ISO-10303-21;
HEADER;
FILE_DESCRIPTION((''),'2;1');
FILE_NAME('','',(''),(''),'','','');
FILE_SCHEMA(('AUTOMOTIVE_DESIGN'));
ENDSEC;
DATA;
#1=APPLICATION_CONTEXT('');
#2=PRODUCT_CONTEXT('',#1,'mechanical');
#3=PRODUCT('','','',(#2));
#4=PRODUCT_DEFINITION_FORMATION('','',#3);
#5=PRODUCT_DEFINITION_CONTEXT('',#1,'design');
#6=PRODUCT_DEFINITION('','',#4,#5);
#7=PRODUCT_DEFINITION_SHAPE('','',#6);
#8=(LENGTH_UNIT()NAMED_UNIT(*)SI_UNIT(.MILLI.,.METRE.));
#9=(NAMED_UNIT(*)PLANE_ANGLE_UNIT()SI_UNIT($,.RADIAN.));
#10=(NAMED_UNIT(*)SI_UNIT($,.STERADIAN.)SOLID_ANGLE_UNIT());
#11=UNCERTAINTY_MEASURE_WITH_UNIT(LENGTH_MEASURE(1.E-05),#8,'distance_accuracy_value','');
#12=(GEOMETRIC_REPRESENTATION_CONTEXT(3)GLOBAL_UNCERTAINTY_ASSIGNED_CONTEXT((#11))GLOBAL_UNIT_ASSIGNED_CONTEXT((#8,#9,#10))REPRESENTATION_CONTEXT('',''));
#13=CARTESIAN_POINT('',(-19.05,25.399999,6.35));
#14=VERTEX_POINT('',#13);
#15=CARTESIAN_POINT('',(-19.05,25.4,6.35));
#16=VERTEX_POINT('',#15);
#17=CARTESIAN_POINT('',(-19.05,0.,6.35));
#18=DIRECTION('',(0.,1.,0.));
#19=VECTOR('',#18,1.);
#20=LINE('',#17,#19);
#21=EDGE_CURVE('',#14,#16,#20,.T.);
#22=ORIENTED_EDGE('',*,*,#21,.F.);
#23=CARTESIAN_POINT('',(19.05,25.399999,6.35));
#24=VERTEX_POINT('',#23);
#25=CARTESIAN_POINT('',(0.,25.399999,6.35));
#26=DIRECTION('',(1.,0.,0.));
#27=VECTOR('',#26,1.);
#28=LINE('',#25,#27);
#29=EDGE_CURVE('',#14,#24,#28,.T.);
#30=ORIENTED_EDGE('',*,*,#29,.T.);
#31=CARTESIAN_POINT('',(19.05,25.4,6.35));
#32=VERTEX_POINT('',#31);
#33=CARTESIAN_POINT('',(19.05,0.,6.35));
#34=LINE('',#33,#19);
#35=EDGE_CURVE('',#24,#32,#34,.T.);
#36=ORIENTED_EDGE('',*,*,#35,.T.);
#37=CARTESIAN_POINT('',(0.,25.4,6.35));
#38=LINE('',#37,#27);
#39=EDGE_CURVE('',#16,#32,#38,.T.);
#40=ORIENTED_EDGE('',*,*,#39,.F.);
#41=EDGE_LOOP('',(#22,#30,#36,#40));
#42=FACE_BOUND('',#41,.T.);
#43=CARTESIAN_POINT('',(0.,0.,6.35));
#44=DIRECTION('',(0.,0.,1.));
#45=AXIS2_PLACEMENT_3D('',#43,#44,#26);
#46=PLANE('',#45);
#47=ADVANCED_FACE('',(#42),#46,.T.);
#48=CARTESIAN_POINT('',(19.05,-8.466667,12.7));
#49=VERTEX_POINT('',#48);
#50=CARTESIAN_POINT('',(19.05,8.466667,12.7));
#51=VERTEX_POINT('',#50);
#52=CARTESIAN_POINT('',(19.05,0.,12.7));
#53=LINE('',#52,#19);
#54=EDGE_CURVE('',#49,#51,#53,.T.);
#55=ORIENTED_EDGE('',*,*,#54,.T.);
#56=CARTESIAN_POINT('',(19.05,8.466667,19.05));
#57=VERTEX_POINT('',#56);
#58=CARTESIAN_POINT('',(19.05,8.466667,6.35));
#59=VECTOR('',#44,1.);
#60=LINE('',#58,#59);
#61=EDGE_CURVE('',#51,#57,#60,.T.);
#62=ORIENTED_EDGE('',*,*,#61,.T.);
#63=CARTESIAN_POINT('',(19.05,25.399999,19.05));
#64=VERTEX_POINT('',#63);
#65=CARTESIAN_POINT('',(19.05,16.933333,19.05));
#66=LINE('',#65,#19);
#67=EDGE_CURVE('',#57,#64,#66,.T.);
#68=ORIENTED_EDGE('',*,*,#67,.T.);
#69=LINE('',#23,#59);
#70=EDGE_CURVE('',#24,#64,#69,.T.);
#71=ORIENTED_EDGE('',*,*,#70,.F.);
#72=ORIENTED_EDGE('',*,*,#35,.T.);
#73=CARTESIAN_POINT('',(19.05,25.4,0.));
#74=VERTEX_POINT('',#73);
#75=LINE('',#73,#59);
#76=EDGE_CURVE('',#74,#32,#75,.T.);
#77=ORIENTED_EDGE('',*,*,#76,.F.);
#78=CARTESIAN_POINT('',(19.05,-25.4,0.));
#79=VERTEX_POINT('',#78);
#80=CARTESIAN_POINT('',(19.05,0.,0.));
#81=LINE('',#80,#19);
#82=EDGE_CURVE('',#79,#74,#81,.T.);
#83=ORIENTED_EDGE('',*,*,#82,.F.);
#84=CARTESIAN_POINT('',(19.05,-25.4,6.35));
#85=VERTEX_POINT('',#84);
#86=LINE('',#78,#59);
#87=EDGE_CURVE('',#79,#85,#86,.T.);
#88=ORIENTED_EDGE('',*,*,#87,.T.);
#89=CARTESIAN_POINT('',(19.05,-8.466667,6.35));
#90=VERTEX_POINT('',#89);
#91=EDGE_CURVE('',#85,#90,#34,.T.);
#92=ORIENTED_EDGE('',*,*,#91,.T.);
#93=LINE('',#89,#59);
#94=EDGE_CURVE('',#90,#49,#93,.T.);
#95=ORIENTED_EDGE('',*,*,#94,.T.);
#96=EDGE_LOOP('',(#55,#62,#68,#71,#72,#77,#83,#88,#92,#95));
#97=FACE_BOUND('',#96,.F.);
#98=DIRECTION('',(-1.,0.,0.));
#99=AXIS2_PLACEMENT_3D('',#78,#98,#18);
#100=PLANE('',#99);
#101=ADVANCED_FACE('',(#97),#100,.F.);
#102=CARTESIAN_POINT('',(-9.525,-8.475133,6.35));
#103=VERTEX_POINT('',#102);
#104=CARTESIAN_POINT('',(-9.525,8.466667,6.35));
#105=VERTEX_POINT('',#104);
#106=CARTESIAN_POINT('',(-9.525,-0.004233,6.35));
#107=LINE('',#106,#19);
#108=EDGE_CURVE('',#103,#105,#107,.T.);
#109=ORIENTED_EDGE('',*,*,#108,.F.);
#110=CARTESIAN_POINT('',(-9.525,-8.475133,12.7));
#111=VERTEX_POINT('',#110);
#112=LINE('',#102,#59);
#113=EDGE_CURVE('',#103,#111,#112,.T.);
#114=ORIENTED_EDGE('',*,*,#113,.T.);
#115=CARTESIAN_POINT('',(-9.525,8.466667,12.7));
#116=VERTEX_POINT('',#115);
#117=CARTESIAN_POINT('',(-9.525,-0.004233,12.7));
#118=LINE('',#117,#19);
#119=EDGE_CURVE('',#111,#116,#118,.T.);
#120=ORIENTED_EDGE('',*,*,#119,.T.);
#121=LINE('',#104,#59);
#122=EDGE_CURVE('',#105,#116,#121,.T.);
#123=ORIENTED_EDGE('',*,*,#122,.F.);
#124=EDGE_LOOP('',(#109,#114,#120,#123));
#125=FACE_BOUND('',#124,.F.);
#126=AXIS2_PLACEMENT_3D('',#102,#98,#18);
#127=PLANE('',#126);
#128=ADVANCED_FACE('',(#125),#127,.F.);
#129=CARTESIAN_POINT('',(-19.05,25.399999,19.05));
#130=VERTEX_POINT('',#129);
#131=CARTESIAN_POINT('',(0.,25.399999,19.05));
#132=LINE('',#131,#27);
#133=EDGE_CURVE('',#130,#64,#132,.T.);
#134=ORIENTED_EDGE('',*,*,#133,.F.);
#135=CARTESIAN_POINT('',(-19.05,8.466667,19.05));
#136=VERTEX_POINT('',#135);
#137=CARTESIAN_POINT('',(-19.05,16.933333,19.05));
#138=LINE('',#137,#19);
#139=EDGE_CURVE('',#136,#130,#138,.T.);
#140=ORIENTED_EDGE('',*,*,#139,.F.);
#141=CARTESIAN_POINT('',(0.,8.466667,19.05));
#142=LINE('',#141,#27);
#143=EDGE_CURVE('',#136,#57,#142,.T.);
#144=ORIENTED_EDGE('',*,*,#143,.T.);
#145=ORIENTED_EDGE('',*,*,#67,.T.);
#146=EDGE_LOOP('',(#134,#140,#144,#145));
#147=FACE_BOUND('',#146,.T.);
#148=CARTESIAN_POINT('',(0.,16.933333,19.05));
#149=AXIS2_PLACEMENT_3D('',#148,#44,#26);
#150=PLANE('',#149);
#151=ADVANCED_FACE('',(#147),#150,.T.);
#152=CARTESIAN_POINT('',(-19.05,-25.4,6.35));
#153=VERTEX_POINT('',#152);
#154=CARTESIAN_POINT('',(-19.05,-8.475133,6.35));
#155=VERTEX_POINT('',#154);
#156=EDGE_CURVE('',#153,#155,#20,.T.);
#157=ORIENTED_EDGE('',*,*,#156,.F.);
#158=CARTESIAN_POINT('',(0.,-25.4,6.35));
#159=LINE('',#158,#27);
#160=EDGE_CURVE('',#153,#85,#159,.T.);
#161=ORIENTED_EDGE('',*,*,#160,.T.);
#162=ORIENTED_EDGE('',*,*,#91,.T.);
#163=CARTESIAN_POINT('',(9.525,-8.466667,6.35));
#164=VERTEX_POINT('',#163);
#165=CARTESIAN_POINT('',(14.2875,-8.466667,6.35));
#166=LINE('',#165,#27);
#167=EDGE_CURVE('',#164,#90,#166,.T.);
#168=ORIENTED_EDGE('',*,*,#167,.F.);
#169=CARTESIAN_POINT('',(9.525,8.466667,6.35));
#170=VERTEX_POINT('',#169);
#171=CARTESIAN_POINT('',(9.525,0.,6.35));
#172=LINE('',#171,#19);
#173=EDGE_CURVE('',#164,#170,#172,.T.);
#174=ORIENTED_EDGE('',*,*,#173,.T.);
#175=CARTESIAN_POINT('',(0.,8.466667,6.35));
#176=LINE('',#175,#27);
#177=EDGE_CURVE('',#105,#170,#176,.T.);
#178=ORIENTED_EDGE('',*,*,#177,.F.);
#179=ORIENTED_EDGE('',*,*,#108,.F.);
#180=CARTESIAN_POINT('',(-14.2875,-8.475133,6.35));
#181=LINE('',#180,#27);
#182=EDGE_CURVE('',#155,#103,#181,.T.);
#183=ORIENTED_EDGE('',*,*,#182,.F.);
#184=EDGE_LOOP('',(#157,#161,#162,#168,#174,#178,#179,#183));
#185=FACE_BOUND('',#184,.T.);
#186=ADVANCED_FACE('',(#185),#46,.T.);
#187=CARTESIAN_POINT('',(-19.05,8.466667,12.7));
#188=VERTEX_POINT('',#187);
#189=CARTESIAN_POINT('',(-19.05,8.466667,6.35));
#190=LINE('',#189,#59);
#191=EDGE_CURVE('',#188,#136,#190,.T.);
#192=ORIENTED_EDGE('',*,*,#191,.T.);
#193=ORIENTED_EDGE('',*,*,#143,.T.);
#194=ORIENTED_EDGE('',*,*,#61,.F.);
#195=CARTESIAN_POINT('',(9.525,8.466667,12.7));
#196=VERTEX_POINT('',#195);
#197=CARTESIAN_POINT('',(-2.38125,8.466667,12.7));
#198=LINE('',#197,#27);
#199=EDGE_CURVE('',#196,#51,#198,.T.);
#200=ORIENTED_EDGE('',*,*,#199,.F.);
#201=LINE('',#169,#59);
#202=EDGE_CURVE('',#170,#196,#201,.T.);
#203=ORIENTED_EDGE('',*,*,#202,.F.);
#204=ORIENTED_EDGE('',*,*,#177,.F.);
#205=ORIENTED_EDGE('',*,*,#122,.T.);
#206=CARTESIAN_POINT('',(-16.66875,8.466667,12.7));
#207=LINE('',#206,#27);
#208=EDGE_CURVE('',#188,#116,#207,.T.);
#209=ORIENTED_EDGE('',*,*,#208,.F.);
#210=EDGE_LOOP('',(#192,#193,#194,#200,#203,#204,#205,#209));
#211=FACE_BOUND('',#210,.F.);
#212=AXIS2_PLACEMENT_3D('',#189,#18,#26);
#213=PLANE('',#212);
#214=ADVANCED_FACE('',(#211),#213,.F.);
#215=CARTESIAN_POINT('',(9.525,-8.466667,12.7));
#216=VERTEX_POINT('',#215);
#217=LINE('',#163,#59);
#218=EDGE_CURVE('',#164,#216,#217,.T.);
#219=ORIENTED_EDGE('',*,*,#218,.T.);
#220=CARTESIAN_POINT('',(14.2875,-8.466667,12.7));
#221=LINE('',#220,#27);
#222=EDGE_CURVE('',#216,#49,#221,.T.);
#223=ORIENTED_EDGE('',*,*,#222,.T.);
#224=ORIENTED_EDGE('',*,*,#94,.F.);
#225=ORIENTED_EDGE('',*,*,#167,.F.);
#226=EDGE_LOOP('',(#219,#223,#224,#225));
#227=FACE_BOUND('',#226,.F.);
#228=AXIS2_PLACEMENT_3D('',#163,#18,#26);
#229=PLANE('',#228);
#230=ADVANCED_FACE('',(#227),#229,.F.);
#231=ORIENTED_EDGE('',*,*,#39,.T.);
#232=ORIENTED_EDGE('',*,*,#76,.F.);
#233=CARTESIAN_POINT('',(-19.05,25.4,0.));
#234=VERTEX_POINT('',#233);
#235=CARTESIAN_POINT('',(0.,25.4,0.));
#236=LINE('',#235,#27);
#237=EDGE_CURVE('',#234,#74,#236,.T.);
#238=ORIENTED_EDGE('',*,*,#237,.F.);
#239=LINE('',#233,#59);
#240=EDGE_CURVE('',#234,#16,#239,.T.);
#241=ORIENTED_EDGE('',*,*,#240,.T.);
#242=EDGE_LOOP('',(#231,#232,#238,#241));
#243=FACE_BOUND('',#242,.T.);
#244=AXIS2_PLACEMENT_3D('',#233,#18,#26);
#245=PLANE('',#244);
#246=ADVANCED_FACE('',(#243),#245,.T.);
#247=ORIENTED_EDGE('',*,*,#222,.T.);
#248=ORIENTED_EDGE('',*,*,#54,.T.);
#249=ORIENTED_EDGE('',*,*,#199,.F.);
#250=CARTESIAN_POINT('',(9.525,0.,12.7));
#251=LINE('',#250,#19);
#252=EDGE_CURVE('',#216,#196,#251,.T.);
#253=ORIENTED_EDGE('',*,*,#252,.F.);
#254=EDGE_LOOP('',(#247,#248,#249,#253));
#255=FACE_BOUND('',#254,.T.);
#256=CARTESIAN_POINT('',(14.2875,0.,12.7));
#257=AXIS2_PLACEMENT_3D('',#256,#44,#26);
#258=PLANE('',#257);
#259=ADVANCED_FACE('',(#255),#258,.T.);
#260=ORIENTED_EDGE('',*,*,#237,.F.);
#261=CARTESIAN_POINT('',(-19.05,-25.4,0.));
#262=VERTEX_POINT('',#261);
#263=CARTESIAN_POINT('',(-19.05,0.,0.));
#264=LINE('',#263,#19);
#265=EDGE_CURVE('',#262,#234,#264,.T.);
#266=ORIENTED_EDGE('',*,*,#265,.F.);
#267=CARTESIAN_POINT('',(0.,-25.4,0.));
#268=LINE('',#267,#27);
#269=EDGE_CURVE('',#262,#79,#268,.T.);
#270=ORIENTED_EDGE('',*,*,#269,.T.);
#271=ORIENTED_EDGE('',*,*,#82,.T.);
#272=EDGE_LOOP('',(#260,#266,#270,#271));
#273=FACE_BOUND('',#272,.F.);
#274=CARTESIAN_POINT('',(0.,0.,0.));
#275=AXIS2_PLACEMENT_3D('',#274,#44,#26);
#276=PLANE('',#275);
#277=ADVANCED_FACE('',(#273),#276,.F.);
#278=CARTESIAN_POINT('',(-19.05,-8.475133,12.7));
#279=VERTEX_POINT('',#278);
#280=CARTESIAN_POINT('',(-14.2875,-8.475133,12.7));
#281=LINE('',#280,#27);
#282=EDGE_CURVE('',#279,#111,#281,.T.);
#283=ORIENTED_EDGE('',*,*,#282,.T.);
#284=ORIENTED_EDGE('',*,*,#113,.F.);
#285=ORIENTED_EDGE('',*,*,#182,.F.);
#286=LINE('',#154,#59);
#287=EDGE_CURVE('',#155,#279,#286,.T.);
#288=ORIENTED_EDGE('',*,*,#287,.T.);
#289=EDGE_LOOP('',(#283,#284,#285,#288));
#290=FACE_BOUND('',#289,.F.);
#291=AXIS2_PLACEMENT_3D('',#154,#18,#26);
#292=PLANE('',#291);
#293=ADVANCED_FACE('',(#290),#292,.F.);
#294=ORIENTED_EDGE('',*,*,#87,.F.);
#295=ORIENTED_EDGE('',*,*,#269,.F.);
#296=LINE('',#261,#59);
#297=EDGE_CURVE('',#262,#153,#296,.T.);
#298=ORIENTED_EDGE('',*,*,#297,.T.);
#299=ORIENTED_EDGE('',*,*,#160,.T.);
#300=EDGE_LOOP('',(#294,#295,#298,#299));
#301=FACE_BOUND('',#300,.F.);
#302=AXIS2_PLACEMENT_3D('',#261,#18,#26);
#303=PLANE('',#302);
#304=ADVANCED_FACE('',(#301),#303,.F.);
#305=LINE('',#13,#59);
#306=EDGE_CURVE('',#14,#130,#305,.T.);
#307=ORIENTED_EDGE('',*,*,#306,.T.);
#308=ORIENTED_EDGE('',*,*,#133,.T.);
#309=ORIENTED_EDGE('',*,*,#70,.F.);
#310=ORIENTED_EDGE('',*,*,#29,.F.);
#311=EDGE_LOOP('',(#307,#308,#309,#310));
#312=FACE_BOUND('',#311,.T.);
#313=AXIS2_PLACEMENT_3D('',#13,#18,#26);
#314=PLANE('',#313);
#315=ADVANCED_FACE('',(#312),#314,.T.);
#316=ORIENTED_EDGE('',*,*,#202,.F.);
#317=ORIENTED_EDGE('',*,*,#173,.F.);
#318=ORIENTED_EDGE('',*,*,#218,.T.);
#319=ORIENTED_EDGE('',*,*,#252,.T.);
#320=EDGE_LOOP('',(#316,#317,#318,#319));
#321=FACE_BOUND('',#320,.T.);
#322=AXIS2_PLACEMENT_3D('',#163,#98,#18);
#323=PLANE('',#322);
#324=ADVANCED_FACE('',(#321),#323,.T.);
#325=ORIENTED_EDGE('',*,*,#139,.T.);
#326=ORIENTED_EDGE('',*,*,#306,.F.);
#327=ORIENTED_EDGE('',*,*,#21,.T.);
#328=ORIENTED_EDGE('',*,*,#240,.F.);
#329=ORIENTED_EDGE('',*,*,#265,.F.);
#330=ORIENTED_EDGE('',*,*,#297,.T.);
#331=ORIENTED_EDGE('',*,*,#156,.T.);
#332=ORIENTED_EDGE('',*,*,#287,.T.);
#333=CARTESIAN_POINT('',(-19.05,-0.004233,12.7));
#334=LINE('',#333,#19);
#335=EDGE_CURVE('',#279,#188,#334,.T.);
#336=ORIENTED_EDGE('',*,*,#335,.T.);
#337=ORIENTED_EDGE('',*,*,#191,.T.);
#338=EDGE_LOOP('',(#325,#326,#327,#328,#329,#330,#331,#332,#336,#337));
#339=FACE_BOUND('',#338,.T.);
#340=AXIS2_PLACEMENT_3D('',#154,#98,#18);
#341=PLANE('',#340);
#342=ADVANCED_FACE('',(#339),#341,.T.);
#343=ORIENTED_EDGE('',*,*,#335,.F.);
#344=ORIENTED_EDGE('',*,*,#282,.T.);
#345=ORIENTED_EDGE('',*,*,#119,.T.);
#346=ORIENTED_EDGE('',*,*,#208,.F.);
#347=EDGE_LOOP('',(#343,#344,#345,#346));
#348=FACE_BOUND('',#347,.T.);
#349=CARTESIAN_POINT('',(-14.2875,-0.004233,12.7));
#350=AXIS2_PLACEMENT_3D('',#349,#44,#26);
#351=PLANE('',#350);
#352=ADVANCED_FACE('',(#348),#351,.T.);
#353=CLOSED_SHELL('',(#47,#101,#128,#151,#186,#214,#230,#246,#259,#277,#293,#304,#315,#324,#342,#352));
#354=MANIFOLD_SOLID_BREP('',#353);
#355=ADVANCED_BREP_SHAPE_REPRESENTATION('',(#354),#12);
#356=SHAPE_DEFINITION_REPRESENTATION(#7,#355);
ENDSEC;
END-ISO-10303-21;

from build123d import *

# Parameters (mm, degrees)
F0_W     = 38.1
F0_H     = 50.8
F1_DEPTH = 6.35
F2_W     = 38.1
F2_H     = 16.933333
F3_DEPTH = 12.7
F4_W     = 9.525
F4_H     = 16.9418
F4_H_2   = 16.933334
F5_DEPTH = 6.35


with BuildPart() as f1:
    # F0 (on Top) → F1 (new body)
    with BuildSketch(Plane.XY):
        Rectangle(F0_W, F0_H)
    extrude(amount=F1_DEPTH)

    # F2 (on face) → F3 (join)
    with BuildSketch(Plane.XY.offset(6.35)):
        with Locations((0, 16.933333)):
            Rectangle(F2_W, F2_H)
    extrude(amount=F3_DEPTH)

    # F4 (on face) → F5 (join)
    with BuildSketch(Plane.XY.offset(6.35)):
        with Locations((-14.2875, -0.004233)):
            Rectangle(F4_W, F4_H)
        with Locations((14.2875, 0)):
            Rectangle(F4_W, F4_H_2)
    extrude(amount=F5_DEPTH)


solid = f1.part
